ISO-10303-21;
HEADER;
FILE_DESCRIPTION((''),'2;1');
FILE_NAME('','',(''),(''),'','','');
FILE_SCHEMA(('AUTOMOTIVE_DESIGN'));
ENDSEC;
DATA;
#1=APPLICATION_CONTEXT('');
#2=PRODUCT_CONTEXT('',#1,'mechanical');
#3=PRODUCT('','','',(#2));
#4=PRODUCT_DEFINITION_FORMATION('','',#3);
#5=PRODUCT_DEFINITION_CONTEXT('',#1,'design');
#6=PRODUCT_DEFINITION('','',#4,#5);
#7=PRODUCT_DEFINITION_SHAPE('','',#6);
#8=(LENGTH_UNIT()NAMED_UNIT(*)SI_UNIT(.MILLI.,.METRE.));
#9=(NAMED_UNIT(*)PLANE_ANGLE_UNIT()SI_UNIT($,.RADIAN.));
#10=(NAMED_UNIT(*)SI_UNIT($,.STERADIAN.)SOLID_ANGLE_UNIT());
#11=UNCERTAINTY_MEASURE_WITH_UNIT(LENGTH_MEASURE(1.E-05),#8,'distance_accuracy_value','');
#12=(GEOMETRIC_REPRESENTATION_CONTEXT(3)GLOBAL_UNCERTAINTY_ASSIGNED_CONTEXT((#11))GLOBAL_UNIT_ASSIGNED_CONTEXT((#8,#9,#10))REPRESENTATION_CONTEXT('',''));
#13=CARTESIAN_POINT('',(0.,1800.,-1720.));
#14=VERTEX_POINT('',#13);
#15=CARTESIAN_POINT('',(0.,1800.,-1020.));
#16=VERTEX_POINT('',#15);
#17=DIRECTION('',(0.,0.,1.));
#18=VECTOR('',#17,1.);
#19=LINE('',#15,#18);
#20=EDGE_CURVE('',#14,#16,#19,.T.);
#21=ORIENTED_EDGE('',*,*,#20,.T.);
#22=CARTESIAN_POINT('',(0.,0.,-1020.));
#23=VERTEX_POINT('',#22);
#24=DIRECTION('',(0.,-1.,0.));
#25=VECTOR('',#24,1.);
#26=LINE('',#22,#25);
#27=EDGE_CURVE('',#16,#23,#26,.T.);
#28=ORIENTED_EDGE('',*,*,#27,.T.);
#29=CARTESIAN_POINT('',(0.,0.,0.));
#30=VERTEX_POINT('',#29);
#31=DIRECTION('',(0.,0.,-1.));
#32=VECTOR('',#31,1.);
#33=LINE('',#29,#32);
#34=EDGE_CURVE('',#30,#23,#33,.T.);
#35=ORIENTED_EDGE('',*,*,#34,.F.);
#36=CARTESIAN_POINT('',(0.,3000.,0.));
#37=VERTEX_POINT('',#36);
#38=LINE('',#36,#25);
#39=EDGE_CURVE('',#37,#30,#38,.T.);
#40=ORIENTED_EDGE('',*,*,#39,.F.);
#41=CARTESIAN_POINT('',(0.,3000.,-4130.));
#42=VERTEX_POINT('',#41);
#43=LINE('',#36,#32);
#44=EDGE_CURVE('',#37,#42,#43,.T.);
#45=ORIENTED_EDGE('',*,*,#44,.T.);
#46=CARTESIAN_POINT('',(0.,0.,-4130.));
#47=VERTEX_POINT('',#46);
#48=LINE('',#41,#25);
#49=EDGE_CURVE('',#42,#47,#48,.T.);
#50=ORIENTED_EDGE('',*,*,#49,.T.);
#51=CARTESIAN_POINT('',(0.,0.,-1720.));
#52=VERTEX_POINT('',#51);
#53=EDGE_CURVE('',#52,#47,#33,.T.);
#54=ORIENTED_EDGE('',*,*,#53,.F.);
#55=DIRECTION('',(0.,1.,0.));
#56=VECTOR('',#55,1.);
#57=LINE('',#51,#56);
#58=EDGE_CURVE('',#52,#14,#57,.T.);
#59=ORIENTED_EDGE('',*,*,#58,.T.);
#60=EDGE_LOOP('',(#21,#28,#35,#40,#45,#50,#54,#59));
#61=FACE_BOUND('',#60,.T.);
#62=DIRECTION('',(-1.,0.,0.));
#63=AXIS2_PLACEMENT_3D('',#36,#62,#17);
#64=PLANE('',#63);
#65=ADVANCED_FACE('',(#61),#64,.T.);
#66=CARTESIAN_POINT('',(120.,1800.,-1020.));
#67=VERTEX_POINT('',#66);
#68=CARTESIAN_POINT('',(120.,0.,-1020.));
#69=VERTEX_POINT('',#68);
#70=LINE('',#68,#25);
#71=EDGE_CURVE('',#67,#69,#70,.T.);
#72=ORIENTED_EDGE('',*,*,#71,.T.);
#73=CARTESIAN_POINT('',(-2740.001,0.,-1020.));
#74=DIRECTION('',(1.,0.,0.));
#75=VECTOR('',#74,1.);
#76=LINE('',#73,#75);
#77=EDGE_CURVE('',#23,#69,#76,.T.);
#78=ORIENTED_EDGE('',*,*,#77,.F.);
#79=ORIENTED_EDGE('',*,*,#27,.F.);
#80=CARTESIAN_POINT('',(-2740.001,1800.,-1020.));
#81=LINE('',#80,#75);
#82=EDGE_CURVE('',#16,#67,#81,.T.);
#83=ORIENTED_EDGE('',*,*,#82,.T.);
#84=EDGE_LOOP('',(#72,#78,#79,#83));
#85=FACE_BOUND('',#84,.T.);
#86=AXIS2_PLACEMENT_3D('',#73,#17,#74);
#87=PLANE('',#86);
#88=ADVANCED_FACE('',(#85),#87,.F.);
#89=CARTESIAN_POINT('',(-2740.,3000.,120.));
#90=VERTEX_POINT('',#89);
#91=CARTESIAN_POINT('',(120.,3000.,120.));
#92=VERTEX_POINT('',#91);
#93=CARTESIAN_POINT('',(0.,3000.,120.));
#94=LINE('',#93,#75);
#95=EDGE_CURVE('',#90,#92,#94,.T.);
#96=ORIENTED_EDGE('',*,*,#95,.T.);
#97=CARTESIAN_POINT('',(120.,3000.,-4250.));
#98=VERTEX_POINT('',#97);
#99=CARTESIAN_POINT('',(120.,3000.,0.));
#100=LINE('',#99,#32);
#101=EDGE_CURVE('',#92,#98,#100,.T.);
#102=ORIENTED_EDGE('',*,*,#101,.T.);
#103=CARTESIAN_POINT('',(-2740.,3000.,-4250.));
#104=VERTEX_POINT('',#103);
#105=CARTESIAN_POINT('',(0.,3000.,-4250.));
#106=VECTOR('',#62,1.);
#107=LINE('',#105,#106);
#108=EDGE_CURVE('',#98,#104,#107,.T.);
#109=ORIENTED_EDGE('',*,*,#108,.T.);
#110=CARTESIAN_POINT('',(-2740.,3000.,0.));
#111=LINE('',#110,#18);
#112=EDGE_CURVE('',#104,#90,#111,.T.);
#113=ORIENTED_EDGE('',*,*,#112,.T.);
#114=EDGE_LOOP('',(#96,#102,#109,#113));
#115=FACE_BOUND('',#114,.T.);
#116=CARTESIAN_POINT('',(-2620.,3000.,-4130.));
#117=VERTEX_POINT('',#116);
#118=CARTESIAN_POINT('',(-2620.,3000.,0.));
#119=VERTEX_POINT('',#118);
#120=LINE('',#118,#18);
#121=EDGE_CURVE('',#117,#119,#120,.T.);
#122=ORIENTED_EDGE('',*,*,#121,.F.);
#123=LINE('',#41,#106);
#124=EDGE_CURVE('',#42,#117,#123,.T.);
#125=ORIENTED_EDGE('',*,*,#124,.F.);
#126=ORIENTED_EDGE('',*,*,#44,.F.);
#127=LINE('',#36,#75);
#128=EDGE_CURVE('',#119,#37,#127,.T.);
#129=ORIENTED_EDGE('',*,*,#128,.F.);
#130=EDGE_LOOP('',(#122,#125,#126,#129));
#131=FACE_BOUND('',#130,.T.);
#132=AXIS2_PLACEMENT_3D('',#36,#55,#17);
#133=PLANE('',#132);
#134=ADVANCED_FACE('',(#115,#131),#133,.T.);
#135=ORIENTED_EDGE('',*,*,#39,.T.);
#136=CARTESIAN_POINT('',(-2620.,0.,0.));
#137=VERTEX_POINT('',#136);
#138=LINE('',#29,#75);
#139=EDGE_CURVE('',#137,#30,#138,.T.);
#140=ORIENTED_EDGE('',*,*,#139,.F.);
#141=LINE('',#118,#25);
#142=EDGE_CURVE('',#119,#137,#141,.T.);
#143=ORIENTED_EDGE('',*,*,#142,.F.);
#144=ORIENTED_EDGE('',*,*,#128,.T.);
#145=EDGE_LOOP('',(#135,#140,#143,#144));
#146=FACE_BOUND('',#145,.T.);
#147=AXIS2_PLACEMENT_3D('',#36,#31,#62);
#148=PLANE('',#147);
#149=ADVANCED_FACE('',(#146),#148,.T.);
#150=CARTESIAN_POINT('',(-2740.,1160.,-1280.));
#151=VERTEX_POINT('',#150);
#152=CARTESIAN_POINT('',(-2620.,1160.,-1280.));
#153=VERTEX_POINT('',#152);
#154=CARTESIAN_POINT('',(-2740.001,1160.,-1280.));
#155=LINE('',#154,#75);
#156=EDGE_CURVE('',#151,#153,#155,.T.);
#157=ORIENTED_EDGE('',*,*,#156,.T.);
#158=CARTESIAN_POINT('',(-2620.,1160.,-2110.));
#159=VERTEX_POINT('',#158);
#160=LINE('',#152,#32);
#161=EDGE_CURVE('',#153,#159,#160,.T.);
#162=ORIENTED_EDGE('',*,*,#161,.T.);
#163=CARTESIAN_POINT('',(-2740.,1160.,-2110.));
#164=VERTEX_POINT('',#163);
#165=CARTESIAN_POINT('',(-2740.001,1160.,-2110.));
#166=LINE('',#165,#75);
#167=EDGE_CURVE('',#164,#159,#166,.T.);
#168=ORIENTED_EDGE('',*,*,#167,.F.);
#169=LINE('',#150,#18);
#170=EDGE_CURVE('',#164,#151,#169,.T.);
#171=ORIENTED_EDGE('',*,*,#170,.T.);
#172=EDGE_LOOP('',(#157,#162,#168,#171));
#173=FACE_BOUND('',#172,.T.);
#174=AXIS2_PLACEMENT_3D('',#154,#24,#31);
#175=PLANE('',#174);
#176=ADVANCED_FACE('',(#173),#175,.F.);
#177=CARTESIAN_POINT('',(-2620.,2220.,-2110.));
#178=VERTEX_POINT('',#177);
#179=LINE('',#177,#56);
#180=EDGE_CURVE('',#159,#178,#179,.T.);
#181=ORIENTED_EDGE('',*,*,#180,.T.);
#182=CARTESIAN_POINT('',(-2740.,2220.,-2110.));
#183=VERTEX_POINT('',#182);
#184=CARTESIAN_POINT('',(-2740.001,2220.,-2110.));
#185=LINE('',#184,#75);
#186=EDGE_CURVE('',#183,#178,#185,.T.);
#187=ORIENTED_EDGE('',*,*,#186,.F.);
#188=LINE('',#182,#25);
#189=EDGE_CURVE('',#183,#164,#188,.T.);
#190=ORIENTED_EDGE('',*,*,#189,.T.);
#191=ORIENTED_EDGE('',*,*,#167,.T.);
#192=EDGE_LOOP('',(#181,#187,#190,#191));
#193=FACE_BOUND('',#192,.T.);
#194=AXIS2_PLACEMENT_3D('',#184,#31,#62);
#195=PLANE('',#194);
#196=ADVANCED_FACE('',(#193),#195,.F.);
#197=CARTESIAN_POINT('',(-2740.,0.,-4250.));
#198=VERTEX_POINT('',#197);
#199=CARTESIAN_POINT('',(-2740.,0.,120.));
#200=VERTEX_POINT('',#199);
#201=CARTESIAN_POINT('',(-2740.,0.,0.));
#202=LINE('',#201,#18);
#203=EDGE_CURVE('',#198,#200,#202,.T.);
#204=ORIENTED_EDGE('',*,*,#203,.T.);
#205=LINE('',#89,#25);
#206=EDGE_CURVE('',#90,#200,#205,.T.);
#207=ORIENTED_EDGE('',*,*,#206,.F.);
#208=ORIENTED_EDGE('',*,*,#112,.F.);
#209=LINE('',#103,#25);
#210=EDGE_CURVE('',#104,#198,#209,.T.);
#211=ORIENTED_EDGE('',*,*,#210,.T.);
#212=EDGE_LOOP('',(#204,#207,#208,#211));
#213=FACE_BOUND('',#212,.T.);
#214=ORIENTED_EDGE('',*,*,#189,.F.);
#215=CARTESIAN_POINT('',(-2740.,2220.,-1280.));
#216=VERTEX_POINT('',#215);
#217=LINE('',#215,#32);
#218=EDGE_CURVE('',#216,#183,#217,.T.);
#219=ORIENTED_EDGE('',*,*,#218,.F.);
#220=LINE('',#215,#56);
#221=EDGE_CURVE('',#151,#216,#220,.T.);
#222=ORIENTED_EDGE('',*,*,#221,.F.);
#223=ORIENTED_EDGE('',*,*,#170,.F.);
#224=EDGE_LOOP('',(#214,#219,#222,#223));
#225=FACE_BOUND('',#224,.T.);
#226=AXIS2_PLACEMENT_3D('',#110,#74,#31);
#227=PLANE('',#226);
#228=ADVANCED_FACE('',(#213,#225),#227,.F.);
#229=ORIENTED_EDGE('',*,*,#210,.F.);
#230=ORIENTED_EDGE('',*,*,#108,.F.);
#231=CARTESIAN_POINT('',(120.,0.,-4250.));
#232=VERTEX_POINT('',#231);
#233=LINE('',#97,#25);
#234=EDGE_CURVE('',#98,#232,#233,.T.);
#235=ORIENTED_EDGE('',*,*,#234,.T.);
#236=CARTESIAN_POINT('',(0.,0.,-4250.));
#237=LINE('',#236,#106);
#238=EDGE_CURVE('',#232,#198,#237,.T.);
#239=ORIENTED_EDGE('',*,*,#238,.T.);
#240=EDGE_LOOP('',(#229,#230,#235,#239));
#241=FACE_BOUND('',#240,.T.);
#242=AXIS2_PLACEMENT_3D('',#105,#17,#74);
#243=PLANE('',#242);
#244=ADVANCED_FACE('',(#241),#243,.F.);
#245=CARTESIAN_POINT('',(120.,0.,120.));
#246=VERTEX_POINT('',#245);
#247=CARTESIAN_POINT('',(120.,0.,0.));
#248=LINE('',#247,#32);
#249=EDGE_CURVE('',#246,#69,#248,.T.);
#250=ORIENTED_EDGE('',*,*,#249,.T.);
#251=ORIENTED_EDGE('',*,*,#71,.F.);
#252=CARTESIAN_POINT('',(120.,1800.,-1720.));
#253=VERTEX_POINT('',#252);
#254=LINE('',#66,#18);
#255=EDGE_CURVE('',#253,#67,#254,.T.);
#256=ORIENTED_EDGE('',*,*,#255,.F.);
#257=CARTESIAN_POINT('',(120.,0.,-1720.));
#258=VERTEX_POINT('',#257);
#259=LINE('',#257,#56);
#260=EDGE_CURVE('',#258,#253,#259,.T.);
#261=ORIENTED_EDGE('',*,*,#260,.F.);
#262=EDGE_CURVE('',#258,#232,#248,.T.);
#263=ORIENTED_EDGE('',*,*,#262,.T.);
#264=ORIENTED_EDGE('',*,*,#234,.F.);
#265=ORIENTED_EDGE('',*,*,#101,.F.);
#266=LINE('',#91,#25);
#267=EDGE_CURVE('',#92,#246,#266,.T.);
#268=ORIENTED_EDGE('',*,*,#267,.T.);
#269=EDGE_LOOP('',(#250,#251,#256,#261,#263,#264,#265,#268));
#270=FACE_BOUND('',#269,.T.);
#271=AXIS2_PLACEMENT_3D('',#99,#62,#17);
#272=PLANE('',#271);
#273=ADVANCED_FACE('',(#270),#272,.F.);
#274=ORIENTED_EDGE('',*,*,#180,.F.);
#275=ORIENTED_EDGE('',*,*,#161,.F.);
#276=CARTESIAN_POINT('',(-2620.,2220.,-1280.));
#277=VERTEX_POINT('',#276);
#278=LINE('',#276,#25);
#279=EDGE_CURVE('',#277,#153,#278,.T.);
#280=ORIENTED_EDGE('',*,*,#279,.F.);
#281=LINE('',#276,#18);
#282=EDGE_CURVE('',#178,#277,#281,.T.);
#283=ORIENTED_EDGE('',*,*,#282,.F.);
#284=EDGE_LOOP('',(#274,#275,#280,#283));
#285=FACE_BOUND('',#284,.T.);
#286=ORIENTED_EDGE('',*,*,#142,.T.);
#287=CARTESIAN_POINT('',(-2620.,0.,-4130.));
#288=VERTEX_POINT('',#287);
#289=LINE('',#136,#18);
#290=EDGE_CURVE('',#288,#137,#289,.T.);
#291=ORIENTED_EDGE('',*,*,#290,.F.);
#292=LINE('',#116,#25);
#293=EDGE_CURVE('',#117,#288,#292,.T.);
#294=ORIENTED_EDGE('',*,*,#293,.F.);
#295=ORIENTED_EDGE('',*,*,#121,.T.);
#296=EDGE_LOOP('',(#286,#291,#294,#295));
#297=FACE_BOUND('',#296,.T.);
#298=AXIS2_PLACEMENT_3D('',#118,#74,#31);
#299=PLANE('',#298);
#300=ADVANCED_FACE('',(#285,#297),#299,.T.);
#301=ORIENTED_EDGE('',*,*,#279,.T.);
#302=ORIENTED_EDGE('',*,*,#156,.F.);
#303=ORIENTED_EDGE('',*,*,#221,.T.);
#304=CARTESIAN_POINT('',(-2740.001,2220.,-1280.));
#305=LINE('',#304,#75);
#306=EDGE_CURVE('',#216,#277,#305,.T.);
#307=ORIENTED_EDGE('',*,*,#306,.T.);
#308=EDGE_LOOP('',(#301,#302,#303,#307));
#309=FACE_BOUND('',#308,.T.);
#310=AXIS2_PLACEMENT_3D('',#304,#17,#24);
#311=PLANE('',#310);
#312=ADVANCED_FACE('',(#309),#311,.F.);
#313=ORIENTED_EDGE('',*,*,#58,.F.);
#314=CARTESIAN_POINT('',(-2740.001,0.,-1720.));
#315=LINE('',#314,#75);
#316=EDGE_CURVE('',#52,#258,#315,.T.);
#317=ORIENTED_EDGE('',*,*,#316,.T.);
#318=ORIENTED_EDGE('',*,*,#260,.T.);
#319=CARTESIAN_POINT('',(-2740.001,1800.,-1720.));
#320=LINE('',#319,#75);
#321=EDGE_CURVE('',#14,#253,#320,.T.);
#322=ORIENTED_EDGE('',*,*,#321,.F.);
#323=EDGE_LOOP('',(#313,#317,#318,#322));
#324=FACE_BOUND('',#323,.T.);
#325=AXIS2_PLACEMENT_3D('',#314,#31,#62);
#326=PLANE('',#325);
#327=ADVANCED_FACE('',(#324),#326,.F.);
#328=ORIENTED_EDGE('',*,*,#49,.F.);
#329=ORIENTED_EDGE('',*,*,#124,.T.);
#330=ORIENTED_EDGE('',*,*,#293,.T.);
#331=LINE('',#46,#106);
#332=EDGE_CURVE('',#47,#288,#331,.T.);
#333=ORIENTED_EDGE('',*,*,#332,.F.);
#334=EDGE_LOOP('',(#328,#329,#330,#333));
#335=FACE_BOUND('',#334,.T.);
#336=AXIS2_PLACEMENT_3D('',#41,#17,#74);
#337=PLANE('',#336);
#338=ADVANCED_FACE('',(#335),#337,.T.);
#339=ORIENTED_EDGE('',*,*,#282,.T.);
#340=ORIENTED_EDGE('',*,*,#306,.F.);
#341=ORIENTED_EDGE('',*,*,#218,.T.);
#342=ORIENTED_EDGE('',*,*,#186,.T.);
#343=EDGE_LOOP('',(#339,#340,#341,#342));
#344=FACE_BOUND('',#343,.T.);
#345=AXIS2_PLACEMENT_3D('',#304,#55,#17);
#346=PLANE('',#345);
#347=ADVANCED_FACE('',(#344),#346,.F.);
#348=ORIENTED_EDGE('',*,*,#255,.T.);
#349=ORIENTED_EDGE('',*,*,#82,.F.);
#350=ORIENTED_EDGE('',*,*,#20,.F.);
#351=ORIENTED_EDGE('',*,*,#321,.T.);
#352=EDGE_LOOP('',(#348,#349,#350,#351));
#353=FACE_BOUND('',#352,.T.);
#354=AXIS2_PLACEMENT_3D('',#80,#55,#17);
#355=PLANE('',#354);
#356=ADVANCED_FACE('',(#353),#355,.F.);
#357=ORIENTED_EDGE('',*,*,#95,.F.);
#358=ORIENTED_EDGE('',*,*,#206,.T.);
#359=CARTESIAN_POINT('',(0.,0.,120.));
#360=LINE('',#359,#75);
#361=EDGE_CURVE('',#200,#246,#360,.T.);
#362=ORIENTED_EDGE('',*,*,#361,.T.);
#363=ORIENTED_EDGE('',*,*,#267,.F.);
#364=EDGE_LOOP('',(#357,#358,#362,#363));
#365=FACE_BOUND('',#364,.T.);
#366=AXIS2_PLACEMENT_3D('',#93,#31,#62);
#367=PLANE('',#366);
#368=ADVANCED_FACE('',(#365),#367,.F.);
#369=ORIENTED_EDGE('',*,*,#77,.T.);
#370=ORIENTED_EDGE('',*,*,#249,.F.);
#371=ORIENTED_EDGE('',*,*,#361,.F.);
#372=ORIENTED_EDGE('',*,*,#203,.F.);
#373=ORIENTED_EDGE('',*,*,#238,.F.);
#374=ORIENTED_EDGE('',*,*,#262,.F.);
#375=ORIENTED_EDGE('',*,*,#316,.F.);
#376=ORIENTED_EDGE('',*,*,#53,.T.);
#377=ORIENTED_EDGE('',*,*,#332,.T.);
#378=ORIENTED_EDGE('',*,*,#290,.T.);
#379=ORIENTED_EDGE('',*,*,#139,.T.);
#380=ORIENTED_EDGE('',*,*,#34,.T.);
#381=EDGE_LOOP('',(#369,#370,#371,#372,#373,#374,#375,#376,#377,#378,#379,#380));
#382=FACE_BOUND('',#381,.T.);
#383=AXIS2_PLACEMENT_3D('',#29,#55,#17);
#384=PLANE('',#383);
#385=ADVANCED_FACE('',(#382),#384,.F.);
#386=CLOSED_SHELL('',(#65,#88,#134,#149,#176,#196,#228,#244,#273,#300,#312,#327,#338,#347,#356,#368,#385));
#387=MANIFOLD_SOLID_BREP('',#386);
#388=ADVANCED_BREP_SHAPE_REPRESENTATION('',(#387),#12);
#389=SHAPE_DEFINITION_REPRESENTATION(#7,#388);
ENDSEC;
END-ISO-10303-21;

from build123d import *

# Parameters (mm, degrees)
SKETCH_1_W          = 2860
SKETCH_1_H          = 4370
SKETCH_1_W_2        = 2620
SKETCH_1_H_2        = 4130
EXTRUDE_1_DEPTH     = 3000
CUT_EXTRUDE_1_REACH = 2862
SKETCH_2_W          = 700
SKETCH_2_H          = 1800
CUT_EXTRUDE_2_REACH = 122
SKETCH_3_W          = 830
SKETCH_3_H          = 1060


with BuildPart() as part:
    # 草图1 → 拉伸-薄壁1 (new body)
    with BuildSketch(Plane(origin=(0, 0, 0), x_dir=(1, 0, 0), z_dir=(0, 1, 0))):
        with Locations((-1310, 2065)):
            Rectangle(SKETCH_1_W, SKETCH_1_H)
        with Locations((-1310, 2065)):
            Rectangle(SKETCH_1_W_2, SKETCH_1_H_2, mode=Mode.SUBTRACT)
    extrude(amount=EXTRUDE_1_DEPTH)

    # 草图2 → 切除-拉伸1 (cut, up to next)
    with BuildSketch(Plane(origin=(120, 0, 0), x_dir=(0, 0, -1), z_dir=(1, 0, 0)), mode=Mode.PRIVATE) as cut_extrude_1_sk1:
        with Locations((1370, 900)):
            Rectangle(SKETCH_2_W, SKETCH_2_H)
    cut_extrude_1_tool1 = extrude(cut_extrude_1_sk1.sketch, amount=-CUT_EXTRUDE_1_REACH, mode=Mode.PRIVATE) & part.part
    add(cut_extrude_1_tool1.solids().sort_by_distance((120, 900, -1370))[0], mode=Mode.SUBTRACT)

    # 草图3 → 切除-拉伸2 (cut, up to next)
    with BuildSketch(Plane(origin=(-2620, 0, 0), x_dir=(0, 0, -1), z_dir=(1, 0, 0)), mode=Mode.PRIVATE) as cut_extrude_2_sk1:
        with Locations((1695, 1690)):
            Rectangle(SKETCH_3_W, SKETCH_3_H)
    cut_extrude_2_tool1 = extrude(cut_extrude_2_sk1.sketch, amount=-CUT_EXTRUDE_2_REACH, mode=Mode.PRIVATE) & part.part
    add(cut_extrude_2_tool1.solids().sort_by_distance((-2620, 1690, -1695))[0], mode=Mode.SUBTRACT)


solid = part.part
